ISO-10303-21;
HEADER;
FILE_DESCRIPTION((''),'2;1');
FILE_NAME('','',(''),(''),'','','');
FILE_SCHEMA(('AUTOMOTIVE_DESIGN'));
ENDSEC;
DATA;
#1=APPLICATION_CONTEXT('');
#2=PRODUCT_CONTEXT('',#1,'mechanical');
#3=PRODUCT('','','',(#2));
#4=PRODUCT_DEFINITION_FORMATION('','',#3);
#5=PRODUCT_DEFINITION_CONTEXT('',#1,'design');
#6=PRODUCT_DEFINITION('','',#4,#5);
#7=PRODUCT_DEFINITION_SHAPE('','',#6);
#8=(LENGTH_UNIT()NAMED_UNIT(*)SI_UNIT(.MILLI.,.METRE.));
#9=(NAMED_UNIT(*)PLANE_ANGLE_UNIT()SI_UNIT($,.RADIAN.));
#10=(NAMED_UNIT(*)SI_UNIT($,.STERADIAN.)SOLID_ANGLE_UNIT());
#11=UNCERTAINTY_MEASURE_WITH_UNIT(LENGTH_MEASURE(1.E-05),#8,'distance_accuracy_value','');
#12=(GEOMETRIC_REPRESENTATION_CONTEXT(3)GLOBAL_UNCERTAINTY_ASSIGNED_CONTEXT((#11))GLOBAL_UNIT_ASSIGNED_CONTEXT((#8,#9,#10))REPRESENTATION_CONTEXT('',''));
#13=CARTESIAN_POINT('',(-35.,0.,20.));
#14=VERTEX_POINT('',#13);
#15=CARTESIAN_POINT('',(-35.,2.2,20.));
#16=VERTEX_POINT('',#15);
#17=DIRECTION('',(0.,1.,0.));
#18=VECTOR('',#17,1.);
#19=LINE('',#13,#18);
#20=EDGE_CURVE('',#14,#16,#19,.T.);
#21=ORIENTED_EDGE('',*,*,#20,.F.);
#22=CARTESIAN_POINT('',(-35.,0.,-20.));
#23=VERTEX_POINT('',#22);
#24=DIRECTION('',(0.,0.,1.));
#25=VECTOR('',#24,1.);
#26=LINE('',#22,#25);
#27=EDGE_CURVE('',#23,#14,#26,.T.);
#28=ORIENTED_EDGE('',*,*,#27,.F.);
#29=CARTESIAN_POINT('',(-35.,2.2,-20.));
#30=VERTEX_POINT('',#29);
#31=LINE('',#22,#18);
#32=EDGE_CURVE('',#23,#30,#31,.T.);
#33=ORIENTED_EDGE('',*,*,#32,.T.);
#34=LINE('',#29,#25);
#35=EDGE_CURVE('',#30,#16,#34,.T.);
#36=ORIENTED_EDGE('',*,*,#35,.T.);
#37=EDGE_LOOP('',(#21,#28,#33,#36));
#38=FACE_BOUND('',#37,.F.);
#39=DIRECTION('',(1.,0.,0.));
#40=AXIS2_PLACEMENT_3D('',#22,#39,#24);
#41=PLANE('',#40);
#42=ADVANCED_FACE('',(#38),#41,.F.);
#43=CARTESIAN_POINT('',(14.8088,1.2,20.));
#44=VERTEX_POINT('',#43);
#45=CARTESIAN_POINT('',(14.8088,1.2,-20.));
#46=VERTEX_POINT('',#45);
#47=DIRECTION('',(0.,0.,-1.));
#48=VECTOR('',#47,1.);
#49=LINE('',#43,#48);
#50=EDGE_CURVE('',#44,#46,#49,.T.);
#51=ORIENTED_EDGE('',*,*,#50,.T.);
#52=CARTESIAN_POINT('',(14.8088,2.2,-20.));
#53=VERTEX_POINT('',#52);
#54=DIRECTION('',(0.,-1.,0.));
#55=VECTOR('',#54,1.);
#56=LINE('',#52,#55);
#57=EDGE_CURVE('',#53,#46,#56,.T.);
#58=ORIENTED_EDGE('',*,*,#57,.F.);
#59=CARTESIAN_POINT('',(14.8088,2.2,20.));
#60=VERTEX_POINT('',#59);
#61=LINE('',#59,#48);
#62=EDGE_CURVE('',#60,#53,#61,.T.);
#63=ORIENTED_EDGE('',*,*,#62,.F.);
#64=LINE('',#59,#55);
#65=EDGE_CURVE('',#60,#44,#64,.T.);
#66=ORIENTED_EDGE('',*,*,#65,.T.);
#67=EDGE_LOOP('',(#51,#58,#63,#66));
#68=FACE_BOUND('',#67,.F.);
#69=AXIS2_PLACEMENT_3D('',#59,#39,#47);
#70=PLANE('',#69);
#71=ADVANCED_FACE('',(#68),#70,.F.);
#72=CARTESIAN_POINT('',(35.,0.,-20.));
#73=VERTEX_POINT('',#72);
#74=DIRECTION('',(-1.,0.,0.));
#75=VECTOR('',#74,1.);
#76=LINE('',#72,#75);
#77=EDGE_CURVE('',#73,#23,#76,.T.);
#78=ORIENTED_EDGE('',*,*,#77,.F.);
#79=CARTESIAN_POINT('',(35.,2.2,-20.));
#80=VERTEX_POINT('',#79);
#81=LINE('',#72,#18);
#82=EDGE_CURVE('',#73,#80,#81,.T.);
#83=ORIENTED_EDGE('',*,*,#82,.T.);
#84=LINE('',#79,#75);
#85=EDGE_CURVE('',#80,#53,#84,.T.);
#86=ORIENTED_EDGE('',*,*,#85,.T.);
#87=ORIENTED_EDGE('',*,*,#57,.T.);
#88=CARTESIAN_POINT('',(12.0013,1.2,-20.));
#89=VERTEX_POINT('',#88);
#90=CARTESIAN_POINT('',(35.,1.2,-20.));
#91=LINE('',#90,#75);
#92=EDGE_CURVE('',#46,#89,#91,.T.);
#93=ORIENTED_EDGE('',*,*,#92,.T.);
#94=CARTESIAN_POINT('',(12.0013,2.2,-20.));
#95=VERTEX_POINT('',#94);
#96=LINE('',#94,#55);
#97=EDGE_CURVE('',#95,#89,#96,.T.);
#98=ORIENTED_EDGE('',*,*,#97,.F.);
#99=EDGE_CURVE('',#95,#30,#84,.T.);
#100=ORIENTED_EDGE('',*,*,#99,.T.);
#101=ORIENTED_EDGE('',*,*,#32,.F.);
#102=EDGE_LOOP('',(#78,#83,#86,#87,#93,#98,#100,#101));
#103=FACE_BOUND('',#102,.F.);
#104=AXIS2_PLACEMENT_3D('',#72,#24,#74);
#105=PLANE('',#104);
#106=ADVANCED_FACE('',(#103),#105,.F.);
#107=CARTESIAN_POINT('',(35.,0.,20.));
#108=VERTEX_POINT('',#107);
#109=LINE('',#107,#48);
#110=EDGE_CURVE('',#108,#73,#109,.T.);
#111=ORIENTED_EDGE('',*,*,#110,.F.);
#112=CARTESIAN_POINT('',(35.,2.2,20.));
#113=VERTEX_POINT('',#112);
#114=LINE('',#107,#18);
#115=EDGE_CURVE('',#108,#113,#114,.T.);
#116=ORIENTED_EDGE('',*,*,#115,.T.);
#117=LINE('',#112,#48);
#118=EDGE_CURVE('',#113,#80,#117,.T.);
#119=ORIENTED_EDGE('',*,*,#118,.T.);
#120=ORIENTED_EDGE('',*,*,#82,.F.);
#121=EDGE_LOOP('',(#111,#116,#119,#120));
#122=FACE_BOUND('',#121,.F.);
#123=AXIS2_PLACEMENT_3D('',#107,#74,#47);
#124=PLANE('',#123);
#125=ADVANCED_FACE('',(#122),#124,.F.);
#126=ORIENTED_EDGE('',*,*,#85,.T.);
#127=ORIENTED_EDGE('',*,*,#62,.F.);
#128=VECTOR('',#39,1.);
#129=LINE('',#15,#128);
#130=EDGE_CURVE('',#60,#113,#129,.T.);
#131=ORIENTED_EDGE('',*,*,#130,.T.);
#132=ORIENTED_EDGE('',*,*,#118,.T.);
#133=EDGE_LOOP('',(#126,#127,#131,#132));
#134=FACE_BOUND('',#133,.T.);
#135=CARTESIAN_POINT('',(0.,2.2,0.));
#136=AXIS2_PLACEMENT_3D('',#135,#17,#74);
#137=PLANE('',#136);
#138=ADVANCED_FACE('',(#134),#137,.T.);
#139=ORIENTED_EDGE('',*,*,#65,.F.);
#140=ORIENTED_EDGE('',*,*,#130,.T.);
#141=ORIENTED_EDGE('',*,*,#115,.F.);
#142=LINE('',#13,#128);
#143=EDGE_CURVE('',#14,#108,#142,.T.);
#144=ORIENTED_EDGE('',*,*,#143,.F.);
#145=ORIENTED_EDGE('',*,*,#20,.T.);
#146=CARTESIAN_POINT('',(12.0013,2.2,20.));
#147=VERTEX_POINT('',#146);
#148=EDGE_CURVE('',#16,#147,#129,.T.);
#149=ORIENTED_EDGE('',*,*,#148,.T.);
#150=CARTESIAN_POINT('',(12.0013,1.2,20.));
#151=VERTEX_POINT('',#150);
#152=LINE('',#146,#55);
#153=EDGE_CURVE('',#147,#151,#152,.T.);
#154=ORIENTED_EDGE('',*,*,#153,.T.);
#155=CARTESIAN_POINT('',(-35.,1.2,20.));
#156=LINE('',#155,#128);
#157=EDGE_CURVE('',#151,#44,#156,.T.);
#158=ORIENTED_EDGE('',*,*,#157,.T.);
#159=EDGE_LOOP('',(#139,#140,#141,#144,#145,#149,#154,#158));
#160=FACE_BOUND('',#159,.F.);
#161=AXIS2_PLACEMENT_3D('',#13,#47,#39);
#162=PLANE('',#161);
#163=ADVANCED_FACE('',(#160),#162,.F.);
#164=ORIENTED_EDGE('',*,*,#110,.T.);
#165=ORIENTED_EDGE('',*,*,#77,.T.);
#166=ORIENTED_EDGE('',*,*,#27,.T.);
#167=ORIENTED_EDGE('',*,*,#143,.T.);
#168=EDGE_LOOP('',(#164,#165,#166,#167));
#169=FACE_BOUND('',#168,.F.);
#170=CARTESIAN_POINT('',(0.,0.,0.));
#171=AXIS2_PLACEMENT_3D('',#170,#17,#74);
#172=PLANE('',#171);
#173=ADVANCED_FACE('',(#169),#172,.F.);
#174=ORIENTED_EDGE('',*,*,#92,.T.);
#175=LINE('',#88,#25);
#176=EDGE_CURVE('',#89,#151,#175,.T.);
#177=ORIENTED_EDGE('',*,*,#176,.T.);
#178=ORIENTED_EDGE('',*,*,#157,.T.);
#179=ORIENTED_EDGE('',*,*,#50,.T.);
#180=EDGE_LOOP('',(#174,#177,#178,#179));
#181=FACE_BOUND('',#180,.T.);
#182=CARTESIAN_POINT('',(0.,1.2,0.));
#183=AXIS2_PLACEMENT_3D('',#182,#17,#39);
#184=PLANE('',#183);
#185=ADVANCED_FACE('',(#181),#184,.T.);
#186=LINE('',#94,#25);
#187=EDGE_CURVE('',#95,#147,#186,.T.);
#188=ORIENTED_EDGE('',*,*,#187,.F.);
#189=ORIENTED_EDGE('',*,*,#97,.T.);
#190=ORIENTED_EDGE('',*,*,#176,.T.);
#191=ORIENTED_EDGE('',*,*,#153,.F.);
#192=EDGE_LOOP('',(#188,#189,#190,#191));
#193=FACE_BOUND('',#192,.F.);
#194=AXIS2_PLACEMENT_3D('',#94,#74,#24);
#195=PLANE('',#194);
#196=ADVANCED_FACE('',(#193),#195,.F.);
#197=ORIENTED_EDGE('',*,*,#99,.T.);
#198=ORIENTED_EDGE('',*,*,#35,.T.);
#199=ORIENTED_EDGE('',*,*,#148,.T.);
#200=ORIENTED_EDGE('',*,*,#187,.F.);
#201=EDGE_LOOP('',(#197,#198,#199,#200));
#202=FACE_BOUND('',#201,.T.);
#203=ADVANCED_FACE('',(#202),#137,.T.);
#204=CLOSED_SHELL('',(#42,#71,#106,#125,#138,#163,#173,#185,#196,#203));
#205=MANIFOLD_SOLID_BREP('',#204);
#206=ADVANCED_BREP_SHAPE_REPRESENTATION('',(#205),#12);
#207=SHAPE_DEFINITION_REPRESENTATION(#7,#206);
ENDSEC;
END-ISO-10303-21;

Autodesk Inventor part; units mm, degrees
ref_plane "YZ Plane" through (0, 0, 0) normal (1, 0, 0) x (0, 1, 0)
ref_plane "XZ Plane" through (0, 0, 0) normal (0, 1, 0) x (-1, 0, 0)
ref_plane "XY Plane" through (0, 0, 0) normal (0, 0, 1) x (1, 0, 0)
sketch "Эскиз1" plane through (0, 0, 0) normal (0, 1, 0) x (-1, 0, 0)
  line L0 (-35, -20) -> (35, -20)
  line L1 (35, -20) -> (35, 20)
  line L2 (35, 20) -> (-35, 20)
  line L3 (-35, 20) -> (-35, -20)
  line L4 (-35, -20) -> (35, 20) construction
  line L5 (35, -20) -> (-35, 20) construction
  point P0 (0, 0)
  dimension "d0" = 70
  dimension "d1" = 40
extrude "Выдавливание1" add sketch "Эскиз1" along normal blind 2.2
sketch "Эскиз2" plane through (0, 2.2, 0) normal (0, 1, 0) x (1, 0, 0)
  line L0 (-35, -20) -> (35, -20) projected
  line L1 (35, 20) -> (-35, 20) projected
  line L2 (12.0013, -20) -> (14.8088, -20)
  line L3 (14.8088, -20) -> (14.8088, 20)
  line L4 (14.8088, 20) -> (12.0013, 20)
  line L5 (12.0013, 20) -> (12.0013, -20)
  point P0 (0, 0)
extrude "Выдавливание2" cut sketch "Эскиз2" against normal blind 1
properties part number "test"
